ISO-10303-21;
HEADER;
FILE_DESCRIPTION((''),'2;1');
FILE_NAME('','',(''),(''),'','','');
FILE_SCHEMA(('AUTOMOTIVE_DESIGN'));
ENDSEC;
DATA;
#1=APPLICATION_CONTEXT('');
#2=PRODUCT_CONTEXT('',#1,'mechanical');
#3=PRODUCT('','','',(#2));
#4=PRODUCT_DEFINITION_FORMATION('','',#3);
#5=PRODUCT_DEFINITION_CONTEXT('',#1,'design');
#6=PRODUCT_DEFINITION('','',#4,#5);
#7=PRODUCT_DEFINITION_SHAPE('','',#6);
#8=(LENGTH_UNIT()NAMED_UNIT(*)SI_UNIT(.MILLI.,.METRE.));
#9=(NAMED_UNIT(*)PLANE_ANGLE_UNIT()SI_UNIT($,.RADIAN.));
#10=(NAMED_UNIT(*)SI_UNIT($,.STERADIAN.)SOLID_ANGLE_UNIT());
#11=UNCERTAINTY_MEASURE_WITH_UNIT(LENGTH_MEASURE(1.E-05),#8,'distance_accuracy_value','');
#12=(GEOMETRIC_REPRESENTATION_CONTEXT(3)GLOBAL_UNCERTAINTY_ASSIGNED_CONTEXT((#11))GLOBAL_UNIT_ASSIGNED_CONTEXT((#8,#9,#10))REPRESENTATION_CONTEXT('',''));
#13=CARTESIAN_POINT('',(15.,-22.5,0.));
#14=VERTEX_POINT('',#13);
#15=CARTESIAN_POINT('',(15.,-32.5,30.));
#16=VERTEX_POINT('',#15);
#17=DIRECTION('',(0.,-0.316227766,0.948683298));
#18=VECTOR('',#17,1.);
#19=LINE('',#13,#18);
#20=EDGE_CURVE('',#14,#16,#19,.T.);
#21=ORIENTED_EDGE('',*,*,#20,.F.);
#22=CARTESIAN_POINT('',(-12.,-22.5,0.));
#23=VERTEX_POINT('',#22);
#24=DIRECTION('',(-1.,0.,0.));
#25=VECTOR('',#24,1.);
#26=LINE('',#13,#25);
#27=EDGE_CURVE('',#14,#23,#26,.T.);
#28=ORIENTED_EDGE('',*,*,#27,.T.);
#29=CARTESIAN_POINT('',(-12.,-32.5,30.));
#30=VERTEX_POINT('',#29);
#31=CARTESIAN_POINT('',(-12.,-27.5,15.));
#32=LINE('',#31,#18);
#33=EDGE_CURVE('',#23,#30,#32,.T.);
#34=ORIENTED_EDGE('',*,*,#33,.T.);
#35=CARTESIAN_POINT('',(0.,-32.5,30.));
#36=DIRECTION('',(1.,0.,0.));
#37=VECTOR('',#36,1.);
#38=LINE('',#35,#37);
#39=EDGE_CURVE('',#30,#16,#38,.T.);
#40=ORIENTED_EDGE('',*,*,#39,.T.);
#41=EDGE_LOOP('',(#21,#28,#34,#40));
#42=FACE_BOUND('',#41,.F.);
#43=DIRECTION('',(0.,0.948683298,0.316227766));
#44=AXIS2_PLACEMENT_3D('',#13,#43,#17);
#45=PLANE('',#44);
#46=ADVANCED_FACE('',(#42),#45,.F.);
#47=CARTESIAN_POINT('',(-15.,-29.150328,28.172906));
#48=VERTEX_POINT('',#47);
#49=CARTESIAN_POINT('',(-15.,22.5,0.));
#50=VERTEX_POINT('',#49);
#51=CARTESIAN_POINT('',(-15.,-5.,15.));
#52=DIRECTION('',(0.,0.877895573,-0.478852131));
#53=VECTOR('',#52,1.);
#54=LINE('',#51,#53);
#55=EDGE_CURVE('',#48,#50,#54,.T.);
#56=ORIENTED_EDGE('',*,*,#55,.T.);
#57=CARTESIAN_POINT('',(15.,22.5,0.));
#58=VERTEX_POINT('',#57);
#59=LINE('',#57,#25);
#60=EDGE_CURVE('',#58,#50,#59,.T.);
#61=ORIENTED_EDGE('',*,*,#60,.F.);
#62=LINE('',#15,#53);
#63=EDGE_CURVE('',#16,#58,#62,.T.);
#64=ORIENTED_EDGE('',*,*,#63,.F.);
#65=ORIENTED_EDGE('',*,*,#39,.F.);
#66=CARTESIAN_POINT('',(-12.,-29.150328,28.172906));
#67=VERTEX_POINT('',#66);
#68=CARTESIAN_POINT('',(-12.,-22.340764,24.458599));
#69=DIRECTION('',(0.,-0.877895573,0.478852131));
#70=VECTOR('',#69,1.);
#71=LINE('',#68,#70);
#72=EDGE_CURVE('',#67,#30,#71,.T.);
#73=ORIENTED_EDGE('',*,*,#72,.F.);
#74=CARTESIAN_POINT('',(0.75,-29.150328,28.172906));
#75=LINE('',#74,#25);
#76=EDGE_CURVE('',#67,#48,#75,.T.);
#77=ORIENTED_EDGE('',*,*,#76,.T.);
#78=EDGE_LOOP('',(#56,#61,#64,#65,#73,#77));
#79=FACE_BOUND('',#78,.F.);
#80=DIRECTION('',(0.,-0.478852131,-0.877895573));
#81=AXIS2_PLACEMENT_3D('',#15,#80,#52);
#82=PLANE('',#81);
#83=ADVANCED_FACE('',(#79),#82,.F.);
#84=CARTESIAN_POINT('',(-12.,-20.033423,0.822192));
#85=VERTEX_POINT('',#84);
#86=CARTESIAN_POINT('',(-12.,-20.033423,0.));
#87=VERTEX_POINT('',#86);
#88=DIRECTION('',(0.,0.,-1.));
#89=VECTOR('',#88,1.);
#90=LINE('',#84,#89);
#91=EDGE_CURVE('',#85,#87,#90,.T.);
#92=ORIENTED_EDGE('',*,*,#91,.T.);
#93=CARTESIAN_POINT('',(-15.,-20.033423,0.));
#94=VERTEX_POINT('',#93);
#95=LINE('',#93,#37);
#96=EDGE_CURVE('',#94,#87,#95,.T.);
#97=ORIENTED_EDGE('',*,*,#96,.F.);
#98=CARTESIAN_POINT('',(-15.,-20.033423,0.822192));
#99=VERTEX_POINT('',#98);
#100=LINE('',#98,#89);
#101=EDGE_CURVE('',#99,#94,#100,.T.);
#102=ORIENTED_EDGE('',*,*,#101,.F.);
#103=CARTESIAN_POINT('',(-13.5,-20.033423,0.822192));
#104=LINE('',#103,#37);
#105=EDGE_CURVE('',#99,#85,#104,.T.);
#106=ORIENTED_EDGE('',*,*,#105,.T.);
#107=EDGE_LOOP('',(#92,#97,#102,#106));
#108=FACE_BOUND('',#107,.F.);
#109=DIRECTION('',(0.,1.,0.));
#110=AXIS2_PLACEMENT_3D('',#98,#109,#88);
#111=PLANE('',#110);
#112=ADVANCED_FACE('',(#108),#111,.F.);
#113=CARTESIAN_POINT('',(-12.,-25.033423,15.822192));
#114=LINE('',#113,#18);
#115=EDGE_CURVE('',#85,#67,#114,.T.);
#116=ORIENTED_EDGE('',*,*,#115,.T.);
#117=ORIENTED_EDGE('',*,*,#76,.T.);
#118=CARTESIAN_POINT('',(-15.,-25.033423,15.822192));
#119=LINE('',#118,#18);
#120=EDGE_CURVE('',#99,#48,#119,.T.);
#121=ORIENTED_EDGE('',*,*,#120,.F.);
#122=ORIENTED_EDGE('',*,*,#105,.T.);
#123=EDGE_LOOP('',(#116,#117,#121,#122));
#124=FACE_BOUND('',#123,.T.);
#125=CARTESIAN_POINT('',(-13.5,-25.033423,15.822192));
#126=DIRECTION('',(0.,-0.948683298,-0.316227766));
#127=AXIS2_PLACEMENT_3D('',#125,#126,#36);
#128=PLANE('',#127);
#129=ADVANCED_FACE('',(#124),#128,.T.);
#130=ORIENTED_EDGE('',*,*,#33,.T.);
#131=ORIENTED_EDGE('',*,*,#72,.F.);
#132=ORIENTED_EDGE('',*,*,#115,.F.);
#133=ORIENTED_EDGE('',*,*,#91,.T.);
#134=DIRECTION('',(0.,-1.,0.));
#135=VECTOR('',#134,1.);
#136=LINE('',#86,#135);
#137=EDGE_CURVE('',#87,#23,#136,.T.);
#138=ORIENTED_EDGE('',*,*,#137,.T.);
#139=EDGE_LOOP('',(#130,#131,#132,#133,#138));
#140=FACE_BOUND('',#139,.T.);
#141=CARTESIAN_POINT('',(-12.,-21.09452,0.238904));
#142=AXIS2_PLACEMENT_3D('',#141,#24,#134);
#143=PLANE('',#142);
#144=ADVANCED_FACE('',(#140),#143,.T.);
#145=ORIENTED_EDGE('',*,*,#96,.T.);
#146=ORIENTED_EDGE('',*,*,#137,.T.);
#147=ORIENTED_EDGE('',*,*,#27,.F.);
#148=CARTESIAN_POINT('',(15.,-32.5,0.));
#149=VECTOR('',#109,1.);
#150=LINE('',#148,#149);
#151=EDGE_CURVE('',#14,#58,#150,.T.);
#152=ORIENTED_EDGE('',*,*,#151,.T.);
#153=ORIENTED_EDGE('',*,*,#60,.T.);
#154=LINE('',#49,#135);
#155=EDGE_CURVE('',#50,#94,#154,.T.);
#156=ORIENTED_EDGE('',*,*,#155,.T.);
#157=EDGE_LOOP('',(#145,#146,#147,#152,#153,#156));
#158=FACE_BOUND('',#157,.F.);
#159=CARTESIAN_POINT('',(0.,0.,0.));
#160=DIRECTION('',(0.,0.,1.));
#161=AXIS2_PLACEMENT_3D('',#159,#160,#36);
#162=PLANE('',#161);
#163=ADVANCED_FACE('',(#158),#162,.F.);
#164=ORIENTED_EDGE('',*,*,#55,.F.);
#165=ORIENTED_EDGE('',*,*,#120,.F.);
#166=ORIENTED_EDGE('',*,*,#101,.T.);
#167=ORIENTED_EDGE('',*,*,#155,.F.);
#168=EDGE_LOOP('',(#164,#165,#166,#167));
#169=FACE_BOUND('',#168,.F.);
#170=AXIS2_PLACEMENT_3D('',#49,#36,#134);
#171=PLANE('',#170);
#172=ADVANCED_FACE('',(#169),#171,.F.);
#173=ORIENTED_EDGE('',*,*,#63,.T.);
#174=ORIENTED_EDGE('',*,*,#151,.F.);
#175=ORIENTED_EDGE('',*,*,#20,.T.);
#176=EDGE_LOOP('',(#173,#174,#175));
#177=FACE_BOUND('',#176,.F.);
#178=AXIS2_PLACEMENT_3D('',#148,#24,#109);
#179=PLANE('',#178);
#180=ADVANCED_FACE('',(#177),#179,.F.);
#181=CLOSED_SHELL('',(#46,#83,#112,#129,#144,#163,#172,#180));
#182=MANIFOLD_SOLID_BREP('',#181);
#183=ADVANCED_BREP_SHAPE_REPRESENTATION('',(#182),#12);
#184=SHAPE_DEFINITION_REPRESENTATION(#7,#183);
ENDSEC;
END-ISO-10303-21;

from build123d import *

# Parameters (mm, degrees)
F0_W     = 30
F0_H     = 10
F1_DEPTH = 30
F3_DEPTH = 30.001
F4_W     = 3
F4_H     = 31.6227766017
F5_DEPTH = 2.6
F7_DEPTH = 3


with BuildPart() as f1:
    # F0 (on Top) → F1 (new body)
    with BuildSketch(Plane.XY):
        Polygon((15, 22.5), (-15, 22.5), (-15, -19.5), (-15, -22.5), (15, -22.5), align=None)
        with Locations((0, -27.5)):
            Rectangle(F0_W, F0_H)
    extrude(amount=F1_DEPTH)

    # F2 (on face) → F3 (cut, through all)
    with BuildSketch(Plane.YZ.offset(15)):
        Polygon((-32.5, 0), (-22.5, 0), (-32.5, 30), align=None)
        Polygon((22.5, 30), (-32.5, 30), (22.5, 0), align=None)
    extrude(amount=-F3_DEPTH, mode=Mode.SUBTRACT)

    # F4 (on face) → F5 (cut)
    with BuildSketch(Plane(origin=(0, -20.25, -6.75), x_dir=(1, 0, 0), z_dir=(0, -0.9486832981, -0.316227766))):
        with Locations((-13.5, 22.9265130362)):
            Rectangle(F4_W, F4_H)
    extrude(amount=-F5_DEPTH, mode=Mode.SUBTRACT)

    # F6 (on face) → F7 (cut)
    with BuildSketch(Plane(origin=(-15, 0, 0), x_dir=(0, -1, 0), z_dir=(-1, 0, 0))):
        Polygon((22.5, 0), (20.0334234251, 0.8221921916), (20.0334234251, 0), align=None)
    extrude(amount=-F7_DEPTH, mode=Mode.SUBTRACT)


solid = f1.part
